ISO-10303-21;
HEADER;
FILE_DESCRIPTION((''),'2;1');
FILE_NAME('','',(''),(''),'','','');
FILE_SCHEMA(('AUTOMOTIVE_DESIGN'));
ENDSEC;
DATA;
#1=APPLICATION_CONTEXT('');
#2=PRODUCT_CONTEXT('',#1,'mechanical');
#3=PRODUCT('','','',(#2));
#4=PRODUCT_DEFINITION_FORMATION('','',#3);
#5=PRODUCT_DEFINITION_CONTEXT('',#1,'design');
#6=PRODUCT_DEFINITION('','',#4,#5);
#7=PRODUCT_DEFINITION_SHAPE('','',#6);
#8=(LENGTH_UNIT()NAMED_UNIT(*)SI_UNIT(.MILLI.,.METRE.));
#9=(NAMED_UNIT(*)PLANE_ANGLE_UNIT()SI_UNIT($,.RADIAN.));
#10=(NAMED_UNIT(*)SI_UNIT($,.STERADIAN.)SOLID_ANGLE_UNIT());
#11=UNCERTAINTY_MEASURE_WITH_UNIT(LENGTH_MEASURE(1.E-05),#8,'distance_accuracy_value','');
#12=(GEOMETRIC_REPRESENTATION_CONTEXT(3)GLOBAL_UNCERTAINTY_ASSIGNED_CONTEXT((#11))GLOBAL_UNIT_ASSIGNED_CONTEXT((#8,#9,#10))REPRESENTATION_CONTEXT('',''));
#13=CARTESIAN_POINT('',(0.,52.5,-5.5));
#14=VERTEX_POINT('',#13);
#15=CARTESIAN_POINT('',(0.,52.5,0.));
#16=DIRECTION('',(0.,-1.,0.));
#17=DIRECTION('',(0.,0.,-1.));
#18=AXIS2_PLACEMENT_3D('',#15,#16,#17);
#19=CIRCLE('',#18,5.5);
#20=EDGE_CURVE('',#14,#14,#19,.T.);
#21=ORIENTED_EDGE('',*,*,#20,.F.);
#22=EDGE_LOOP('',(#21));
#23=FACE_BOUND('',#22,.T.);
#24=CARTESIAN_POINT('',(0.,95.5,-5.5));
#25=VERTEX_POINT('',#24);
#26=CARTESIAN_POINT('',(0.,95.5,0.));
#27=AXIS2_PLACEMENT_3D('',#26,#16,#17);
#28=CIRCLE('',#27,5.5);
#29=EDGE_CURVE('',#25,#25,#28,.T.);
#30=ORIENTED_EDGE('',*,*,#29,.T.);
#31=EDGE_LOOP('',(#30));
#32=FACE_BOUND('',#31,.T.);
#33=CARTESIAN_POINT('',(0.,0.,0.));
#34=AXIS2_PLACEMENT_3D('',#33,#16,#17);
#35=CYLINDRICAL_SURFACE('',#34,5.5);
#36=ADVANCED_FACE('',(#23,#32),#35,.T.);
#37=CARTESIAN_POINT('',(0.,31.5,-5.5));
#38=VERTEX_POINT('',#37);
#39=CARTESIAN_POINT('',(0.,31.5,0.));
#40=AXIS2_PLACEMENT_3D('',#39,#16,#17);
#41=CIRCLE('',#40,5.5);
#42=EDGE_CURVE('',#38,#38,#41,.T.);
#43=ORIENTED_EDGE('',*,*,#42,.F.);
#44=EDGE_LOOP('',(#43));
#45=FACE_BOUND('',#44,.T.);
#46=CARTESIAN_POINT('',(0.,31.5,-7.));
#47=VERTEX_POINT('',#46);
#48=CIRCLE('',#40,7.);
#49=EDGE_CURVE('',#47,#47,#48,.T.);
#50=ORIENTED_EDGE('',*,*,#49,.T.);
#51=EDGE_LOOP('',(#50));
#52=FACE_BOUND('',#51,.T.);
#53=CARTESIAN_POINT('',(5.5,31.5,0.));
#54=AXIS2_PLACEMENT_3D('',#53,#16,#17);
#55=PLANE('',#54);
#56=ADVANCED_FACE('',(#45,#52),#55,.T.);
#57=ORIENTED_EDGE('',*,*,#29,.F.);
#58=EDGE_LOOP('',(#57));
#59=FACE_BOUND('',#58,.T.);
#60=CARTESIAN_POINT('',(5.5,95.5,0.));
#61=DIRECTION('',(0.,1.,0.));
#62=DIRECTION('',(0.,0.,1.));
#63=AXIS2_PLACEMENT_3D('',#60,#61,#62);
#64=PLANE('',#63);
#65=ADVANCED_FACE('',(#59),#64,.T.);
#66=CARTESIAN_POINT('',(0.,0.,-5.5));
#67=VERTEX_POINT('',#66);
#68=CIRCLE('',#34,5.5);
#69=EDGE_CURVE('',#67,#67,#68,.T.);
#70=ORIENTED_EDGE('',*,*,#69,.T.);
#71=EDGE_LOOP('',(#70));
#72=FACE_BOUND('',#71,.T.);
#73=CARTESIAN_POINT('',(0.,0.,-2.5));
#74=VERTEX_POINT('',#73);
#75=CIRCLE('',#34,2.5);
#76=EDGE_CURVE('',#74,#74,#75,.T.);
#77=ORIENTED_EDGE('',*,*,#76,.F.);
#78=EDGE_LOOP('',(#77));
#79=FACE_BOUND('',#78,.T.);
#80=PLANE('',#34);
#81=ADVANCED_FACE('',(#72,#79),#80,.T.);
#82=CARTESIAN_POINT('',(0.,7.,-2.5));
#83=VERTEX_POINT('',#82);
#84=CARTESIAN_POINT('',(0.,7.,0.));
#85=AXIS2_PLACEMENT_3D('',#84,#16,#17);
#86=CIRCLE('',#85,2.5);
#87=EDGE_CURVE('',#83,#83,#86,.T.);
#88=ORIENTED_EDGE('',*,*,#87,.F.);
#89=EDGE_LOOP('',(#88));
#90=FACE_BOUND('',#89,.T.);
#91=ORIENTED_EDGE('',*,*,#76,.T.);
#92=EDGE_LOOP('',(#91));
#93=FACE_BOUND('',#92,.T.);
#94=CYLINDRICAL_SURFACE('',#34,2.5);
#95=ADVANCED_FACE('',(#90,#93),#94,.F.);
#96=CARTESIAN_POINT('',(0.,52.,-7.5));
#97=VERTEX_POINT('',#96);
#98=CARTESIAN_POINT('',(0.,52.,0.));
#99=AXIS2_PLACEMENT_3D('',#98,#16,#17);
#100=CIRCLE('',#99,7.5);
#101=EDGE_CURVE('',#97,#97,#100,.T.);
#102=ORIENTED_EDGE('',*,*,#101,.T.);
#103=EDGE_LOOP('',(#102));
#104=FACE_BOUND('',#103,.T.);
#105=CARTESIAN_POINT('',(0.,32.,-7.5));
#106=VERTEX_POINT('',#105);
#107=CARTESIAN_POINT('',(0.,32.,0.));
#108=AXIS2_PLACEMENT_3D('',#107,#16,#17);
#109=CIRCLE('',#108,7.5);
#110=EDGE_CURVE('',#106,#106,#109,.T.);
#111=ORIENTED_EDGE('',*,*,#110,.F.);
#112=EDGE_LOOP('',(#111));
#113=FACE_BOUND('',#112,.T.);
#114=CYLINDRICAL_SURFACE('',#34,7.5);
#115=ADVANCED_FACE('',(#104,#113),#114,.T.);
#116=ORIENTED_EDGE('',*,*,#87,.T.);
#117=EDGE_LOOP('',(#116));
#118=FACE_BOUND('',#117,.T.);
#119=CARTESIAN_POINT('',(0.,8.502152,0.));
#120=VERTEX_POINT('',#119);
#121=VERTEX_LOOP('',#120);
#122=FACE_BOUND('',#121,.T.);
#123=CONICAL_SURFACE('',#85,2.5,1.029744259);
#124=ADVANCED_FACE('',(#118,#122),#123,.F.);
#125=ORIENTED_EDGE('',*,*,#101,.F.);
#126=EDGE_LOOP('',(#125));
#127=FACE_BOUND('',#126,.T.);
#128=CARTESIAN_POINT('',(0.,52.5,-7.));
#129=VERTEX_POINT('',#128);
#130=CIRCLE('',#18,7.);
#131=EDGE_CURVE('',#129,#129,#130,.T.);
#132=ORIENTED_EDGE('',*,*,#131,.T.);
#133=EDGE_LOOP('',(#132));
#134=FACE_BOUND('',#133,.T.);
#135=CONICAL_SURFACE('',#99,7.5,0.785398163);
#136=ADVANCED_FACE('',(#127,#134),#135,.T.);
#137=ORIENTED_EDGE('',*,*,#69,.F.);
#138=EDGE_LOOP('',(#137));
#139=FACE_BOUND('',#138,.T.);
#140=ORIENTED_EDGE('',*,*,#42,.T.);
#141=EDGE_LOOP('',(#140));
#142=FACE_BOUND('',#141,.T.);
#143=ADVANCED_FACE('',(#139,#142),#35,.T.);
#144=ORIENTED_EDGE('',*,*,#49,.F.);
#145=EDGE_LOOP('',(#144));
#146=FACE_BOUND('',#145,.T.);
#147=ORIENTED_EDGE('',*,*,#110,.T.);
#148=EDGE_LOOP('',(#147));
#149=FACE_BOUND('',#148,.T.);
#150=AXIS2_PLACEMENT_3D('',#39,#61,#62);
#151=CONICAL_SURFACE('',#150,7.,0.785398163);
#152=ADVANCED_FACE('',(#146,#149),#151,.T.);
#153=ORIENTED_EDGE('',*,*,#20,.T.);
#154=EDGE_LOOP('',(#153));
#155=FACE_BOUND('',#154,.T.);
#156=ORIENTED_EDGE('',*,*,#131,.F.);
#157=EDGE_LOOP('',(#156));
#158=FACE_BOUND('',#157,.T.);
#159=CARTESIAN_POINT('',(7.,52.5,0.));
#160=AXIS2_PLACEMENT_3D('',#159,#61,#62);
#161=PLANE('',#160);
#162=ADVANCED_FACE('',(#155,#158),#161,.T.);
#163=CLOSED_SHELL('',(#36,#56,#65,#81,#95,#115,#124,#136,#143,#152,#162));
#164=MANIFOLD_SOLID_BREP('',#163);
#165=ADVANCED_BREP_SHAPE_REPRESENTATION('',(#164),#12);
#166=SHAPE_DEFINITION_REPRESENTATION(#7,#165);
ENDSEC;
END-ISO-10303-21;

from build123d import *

# Parameters (mm, degrees)
M6X1_0_TAPPED_HOLE1_D     = 5
M6X1_0_TAPPED_HOLE1_DEPTH = 7
M6X1_0_TAPPED_HOLE1_TIP   = 1.502151548


with BuildPart() as part:
    # Sketch1 → Revolve1 (revolve)
    with BuildSketch(Plane.XY, mode=Mode.PRIVATE) as revolve1_sk:
        Polygon((0, 0), (5.5, 0), (5.5, 31.5), (7, 31.5), (7.5, 32), (7.5, 52), (7, 52.5), (5.5, 52.5), (5.5, 95.5), (0, 95.5), align=None)
    revolve(revolve1_sk.sketch.rotate(Axis((0, 0, 0), (0, 1, 0)), 90), axis=Axis((0, 0, 0), (0, 1, 0)))

    # M6x1.0 Tapped Hole1
    with Locations(Plane(origin=(0, 0, 0), x_dir=(-1, 0, 0), z_dir=(0, -1, 0))):
        with Locations((0, 0)):
            Hole(M6X1_0_TAPPED_HOLE1_D / 2, depth=M6X1_0_TAPPED_HOLE1_DEPTH)
            with Locations((0, 0, -(M6X1_0_TAPPED_HOLE1_DEPTH + M6X1_0_TAPPED_HOLE1_TIP / 2))):  # 118° drill point
                Cone(0, M6X1_0_TAPPED_HOLE1_D / 2, M6X1_0_TAPPED_HOLE1_TIP, mode=Mode.SUBTRACT)


solid = part.part
